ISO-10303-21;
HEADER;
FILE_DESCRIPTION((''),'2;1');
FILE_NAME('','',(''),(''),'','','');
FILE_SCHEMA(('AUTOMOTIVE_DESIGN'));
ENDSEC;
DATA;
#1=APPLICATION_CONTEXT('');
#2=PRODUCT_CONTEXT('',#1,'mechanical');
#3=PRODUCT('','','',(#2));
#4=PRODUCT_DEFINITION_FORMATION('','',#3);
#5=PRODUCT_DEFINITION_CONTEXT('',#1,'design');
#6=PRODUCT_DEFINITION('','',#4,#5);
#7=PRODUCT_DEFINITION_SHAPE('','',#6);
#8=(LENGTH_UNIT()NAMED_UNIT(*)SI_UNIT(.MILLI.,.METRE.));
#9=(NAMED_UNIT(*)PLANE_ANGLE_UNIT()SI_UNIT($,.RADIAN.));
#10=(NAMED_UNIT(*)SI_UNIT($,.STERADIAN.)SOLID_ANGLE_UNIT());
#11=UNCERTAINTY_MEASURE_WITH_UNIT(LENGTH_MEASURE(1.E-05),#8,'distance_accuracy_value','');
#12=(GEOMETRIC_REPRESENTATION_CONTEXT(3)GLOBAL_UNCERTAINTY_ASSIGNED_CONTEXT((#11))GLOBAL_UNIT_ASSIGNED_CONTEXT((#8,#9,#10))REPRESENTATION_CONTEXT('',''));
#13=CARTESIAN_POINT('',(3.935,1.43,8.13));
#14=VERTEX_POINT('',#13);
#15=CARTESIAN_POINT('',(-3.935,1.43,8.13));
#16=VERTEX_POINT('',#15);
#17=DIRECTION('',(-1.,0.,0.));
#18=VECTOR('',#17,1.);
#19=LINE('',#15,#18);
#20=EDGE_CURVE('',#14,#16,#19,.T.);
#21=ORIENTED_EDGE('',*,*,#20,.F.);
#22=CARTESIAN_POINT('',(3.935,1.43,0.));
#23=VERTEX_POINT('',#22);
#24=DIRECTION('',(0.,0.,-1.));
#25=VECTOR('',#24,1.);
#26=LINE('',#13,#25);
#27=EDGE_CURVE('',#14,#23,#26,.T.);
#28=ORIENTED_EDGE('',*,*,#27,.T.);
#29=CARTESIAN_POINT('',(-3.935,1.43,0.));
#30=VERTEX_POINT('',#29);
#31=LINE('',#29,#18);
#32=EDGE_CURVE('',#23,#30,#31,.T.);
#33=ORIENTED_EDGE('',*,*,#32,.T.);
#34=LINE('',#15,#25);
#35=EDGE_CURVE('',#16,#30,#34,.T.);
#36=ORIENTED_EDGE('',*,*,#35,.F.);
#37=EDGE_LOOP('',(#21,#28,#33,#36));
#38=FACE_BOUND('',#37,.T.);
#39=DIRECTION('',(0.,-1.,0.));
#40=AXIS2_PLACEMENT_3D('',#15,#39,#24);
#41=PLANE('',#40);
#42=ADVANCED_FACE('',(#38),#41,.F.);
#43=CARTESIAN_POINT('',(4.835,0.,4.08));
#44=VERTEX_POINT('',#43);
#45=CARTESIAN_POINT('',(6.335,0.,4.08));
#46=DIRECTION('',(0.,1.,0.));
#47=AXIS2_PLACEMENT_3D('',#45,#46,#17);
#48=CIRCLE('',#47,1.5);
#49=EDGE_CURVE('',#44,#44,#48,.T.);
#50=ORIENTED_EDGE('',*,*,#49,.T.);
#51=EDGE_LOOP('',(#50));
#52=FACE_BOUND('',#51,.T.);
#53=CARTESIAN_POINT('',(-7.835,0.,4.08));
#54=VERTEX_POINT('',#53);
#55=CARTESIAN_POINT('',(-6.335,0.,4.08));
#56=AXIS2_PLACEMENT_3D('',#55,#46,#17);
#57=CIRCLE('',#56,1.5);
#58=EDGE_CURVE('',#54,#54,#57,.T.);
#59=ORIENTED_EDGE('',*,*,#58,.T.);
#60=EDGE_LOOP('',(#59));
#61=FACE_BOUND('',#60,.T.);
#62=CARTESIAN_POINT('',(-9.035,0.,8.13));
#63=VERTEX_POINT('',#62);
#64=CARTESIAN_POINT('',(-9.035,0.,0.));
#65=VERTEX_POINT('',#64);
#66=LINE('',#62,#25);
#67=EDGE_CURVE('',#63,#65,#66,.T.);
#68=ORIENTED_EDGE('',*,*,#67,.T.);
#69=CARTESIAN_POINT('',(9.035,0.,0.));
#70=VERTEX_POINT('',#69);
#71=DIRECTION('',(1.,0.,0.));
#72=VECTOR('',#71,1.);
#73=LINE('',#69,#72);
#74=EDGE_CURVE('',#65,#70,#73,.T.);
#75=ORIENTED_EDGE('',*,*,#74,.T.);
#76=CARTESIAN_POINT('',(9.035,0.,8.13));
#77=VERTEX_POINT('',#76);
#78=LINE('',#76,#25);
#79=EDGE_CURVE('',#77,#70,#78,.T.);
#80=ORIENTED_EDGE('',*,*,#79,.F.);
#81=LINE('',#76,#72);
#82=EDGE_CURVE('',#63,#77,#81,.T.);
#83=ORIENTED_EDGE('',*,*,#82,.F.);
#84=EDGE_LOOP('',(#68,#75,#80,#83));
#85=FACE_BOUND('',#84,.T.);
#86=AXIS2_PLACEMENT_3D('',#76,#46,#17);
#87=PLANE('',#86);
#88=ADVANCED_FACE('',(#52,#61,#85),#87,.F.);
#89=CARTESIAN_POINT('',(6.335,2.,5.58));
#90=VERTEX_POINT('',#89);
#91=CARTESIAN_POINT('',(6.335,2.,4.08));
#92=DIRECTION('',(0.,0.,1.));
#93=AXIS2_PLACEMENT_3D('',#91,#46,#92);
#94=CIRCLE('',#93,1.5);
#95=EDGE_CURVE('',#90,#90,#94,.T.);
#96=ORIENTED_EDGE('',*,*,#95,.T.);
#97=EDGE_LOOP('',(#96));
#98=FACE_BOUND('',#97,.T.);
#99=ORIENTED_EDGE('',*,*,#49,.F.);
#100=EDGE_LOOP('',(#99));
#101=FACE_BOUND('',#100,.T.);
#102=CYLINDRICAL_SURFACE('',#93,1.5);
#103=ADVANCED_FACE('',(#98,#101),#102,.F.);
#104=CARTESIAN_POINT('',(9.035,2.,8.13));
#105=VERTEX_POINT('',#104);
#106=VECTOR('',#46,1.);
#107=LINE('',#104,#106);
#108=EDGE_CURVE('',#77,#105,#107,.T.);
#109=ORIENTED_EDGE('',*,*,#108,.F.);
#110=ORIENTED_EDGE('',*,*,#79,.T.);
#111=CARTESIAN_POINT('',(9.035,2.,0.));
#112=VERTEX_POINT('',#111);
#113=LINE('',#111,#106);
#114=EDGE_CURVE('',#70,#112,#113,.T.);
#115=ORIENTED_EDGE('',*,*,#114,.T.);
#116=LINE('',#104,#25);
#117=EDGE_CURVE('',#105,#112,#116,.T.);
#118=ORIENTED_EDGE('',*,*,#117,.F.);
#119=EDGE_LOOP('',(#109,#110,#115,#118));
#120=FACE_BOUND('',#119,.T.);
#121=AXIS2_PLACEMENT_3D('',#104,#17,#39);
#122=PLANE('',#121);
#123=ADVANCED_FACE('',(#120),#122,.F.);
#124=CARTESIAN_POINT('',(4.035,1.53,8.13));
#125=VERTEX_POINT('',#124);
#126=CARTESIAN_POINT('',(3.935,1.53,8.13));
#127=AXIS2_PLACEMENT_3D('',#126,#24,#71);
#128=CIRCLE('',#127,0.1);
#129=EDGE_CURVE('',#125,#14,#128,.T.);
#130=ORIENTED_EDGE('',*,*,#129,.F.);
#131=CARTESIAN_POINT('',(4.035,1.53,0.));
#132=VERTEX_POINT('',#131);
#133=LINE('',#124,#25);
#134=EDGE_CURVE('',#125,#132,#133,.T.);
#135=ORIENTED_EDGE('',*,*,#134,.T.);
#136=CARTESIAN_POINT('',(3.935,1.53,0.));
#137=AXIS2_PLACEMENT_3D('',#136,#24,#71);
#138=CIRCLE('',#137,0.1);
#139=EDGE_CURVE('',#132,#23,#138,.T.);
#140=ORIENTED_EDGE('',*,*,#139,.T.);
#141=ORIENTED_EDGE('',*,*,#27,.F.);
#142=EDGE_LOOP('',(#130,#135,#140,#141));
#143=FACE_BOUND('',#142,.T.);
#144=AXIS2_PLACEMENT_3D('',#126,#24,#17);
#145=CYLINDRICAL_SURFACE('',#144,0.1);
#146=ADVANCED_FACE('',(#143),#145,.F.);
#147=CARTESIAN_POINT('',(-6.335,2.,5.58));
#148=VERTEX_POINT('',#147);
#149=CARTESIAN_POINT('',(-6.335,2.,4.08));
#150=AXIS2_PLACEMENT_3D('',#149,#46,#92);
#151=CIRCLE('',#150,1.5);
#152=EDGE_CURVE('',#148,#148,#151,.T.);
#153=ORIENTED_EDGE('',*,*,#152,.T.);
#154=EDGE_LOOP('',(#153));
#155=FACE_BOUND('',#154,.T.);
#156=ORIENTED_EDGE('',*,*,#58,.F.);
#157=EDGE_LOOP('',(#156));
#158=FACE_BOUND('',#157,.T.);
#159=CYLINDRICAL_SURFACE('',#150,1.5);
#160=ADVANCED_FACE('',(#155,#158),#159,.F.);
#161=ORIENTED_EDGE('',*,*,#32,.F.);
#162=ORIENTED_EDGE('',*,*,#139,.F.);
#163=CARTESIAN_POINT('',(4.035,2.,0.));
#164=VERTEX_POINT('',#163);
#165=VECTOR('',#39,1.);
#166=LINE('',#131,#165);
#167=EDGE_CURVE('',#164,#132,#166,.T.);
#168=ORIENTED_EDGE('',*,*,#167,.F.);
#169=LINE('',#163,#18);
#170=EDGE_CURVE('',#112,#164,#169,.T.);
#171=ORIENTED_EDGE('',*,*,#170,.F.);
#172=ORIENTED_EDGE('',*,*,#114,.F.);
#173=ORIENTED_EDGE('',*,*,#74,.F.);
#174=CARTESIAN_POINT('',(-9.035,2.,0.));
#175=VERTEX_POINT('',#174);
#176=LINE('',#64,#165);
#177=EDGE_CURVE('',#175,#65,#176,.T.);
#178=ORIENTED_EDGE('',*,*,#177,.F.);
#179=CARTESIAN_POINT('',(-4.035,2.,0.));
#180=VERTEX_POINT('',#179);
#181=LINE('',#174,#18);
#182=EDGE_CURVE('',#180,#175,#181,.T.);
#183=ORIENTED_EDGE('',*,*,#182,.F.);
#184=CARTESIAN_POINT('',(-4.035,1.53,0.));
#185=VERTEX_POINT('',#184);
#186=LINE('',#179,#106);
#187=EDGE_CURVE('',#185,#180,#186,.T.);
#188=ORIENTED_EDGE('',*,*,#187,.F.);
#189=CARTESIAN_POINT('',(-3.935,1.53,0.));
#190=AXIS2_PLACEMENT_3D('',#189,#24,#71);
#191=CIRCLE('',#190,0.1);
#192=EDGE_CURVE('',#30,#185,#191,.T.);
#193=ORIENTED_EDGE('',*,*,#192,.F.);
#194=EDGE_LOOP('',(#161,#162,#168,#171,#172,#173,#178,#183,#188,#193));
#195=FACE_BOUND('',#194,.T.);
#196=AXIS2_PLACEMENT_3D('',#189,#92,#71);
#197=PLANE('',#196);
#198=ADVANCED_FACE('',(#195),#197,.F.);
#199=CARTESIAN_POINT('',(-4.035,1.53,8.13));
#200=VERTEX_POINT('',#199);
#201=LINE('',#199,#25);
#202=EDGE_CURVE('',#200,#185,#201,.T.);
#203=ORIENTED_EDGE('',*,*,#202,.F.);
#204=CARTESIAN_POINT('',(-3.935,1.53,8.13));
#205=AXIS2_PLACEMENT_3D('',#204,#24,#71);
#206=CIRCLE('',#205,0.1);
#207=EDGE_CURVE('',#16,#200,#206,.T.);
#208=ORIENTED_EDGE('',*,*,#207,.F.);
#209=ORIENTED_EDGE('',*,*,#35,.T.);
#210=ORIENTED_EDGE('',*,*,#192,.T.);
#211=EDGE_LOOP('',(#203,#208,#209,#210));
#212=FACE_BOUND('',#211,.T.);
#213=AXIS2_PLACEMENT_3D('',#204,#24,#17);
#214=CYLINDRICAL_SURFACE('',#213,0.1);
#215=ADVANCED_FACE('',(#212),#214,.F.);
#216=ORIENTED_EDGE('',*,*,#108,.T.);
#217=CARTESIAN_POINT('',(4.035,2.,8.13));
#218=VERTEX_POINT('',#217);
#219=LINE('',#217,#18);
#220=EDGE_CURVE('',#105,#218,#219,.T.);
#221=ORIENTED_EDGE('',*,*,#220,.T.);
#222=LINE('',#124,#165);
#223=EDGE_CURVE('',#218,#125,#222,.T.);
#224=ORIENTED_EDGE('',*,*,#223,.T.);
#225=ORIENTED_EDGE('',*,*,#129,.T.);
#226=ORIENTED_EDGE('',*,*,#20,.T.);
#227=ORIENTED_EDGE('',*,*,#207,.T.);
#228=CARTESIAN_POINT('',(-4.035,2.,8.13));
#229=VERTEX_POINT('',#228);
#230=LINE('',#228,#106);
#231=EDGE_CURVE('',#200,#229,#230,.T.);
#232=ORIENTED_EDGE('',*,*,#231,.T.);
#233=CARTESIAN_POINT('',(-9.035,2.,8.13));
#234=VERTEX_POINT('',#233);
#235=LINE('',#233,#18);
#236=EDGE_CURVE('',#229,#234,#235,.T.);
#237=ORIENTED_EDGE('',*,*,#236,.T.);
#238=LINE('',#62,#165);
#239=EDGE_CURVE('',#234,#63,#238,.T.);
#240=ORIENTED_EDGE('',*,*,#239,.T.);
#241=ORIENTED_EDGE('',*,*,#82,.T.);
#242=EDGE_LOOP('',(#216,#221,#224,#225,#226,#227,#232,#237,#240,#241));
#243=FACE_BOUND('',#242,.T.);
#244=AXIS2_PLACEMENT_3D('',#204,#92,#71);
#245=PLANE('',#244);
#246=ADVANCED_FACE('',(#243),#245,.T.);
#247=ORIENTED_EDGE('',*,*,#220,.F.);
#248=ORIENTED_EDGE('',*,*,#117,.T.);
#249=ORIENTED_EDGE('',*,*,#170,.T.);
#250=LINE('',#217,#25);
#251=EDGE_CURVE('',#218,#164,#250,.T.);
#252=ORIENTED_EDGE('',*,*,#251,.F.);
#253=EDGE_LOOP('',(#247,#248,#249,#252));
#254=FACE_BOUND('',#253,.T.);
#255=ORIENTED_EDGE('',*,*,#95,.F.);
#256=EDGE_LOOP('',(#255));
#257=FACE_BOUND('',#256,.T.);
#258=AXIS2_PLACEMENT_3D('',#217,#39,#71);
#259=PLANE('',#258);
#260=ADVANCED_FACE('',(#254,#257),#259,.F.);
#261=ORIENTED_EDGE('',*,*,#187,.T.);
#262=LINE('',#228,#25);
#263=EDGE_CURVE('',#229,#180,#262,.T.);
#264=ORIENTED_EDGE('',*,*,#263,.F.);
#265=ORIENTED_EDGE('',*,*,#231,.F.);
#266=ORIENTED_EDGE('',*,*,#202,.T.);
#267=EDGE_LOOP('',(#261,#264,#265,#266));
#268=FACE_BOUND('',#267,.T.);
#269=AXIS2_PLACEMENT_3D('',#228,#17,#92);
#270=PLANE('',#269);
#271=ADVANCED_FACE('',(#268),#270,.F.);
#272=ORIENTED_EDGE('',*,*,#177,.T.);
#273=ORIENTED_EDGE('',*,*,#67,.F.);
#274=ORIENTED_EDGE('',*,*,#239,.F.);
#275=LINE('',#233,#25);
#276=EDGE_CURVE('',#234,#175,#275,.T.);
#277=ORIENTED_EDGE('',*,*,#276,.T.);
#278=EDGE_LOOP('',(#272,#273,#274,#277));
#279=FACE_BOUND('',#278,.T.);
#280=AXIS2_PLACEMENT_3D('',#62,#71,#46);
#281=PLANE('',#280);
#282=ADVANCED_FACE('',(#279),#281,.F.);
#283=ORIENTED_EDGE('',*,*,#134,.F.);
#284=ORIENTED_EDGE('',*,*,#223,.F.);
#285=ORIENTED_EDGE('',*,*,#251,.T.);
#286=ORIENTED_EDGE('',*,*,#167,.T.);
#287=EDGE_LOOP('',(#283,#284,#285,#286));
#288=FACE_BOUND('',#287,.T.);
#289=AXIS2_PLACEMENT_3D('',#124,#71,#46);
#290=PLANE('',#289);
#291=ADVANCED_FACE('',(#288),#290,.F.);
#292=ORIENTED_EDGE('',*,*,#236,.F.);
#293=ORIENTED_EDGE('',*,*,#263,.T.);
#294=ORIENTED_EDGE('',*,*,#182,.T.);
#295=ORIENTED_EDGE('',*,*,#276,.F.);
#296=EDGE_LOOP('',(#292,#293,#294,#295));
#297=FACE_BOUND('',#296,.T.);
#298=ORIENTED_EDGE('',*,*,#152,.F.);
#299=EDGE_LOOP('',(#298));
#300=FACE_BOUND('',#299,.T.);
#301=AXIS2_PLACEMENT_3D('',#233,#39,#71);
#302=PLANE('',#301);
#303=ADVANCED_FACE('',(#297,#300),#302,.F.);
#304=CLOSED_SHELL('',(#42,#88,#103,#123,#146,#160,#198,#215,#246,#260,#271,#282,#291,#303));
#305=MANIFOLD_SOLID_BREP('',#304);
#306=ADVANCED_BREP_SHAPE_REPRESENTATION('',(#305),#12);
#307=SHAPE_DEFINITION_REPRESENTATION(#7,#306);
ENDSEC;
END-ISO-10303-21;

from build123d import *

# Parameters (mm, degrees)
BOSS_EXTRUDE1_DEPTH       = 8.13
F_3_0MM_DOWEL_HOLE1_D     = 3
F_3_0MM_DOWEL_HOLE1_DEPTH = 35
F_3_0MM_DOWEL_HOLE1_TIP   = 0.901290929


with BuildPart() as part:
    # Sketch1 → Boss-Extrude1 (new body)
    with BuildSketch(Plane.XY):
        with BuildLine():
            Line((-9.035, 0), (-9.035, 2))
            Line((-9.035, 2), (-4.035, 2))
            Line((-4.035, 2), (-4.035, 1.53))
            ThreePointArc((-4.035, 1.53), (-4.005710678, 1.459289322), (-3.935, 1.43))
            Line((-3.935, 1.43), (3.935, 1.43))
            ThreePointArc((3.935, 1.43), (4.005710678, 1.459289322), (4.035, 1.53))
            Line((4.035, 1.53), (4.035, 2))
            Line((4.035, 2), (9.035, 2))
            Line((9.035, 2), (9.035, 0))
            Line((9.035, 0), (-9.035, 0))
        make_face()
    extrude(amount=BOSS_EXTRUDE1_DEPTH)

    # Ø3.0mm Dowel Hole1
    with Locations(Plane(origin=(0, 2, 0), x_dir=(1, 0, 0), z_dir=(0, 1, 0))):
        with Locations((6.335, -4.08), (-6.335, -4.08)):
            Hole(F_3_0MM_DOWEL_HOLE1_D / 2, depth=F_3_0MM_DOWEL_HOLE1_DEPTH)
            with Locations((0, 0, -(F_3_0MM_DOWEL_HOLE1_DEPTH + F_3_0MM_DOWEL_HOLE1_TIP / 2))):  # 118° drill point
                Cone(0, F_3_0MM_DOWEL_HOLE1_D / 2, F_3_0MM_DOWEL_HOLE1_TIP, mode=Mode.SUBTRACT)


solid = part.part
